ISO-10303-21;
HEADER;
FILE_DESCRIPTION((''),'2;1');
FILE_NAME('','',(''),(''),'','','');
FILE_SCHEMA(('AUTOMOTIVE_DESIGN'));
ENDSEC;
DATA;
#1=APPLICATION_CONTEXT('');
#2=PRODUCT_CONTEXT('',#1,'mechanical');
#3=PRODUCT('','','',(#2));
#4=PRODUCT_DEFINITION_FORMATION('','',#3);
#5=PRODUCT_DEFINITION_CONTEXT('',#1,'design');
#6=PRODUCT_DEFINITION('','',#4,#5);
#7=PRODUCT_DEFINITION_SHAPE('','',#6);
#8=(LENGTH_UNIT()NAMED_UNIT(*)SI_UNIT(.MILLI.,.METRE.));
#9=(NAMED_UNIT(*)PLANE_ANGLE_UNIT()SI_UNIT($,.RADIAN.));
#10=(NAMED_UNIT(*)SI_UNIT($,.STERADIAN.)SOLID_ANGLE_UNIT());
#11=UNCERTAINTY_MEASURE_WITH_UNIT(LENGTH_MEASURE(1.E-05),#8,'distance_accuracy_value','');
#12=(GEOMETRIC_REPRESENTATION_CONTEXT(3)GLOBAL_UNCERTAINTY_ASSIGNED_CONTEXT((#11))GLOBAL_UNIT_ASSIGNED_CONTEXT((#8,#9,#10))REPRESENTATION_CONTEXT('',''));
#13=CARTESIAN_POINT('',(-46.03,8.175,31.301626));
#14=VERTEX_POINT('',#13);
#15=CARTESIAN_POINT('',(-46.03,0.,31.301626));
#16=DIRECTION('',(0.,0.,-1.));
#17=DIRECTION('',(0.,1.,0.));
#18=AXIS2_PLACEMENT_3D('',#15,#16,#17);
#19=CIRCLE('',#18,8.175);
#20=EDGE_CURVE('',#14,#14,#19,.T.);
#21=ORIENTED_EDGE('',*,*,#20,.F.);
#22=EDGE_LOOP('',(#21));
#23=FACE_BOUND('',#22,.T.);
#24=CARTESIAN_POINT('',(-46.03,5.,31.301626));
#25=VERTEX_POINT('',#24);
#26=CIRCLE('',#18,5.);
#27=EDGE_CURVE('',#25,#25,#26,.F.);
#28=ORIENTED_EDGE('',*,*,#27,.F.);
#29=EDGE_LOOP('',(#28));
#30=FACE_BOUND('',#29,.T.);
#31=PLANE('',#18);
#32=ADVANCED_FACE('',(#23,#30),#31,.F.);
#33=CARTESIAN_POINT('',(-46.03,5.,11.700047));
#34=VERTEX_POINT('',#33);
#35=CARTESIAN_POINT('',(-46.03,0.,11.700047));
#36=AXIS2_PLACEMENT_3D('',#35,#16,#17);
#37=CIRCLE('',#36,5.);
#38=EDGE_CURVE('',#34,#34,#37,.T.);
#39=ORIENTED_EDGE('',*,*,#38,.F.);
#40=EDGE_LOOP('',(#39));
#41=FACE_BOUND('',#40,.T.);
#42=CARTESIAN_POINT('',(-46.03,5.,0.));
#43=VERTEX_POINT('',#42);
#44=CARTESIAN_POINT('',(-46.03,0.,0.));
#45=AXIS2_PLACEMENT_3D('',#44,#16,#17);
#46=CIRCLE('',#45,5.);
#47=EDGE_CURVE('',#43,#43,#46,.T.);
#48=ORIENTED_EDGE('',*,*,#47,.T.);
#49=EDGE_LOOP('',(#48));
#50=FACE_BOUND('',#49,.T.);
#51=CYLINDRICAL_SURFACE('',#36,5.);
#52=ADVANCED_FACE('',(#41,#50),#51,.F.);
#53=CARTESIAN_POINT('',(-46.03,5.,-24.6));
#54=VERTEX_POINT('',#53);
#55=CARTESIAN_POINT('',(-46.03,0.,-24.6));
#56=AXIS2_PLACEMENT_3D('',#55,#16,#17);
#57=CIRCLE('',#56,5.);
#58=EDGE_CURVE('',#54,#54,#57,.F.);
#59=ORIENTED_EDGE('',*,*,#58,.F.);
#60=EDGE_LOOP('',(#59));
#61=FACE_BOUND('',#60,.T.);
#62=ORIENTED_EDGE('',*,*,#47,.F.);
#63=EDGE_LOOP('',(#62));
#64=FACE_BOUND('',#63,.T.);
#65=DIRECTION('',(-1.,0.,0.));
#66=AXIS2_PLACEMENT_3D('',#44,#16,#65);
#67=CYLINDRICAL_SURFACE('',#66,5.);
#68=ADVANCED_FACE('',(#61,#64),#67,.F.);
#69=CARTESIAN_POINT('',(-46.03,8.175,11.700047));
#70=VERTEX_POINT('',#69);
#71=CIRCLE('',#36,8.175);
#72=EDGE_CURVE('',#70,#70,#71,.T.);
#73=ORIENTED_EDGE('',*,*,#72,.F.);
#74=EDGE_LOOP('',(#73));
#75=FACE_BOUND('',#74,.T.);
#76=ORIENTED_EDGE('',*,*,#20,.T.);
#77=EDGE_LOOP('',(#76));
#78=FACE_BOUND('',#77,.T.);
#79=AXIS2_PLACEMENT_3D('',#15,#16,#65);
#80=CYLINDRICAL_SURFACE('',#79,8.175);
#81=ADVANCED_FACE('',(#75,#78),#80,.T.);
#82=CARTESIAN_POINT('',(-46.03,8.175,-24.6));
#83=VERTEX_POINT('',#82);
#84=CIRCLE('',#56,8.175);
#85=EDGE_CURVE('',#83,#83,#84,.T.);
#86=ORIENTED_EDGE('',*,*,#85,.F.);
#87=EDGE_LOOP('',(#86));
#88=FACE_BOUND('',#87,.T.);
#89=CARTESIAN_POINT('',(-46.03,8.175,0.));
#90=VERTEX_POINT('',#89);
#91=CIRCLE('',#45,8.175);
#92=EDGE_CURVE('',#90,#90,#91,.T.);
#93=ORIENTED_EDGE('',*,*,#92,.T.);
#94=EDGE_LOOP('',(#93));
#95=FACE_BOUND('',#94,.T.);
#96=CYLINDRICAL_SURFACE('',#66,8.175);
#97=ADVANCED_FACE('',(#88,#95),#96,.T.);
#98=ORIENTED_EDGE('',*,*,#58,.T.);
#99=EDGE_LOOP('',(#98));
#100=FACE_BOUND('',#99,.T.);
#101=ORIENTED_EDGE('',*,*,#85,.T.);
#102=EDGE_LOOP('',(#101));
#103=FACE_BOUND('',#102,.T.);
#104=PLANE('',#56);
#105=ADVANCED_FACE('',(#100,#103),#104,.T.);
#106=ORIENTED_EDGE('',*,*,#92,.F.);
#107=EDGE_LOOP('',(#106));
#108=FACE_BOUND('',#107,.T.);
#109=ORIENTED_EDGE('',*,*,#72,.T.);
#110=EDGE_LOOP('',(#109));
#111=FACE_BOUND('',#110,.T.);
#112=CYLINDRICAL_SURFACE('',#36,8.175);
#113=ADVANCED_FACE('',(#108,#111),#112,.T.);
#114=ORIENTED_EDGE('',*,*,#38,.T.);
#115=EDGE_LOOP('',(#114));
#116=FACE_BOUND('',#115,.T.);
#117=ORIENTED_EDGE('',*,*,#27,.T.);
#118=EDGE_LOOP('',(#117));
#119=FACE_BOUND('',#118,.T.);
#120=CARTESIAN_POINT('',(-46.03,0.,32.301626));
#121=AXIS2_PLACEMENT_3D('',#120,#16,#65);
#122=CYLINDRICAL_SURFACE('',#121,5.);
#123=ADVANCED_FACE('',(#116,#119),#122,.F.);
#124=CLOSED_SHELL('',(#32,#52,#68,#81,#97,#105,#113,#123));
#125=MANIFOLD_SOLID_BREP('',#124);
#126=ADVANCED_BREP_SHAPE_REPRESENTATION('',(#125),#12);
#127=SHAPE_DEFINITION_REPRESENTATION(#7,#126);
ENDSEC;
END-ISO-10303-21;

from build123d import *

# Parameters (mm, degrees)
SWEEP1_PROFILE_R     = 8.175
CUT_SWEEP1_PROFILE_R = 5


with BuildPart() as part:
    # Sweep1: sweep along a curve in space
    with BuildLine() as sweep1_path:
        Line((-46.03, 0, -24.6), (-46.03, 0, 0))
        Line((-46.03, 0, 0), (-46.03, 0, 11.700046958))
        Line((-46.03, 0, 31.301626468), (-46.03, 0, 11.700046958))
    # Sweep1 profile (on start of the path) → Sweep1 (sweep)
    with BuildSketch(Plane(origin=(-46.03, 0, -24.6), x_dir=(1, 0, 0), z_dir=(0, 0, 1))):
        Circle(SWEEP1_PROFILE_R)
    sweep(path=sweep1_path.line)

    # Cut-Sweep1: sweep along a curve in space
    with BuildLine() as cut_sweep1_path:
        Line((-46.03, 0, -24.6), (-46.03, 0, 0))
        Line((-46.03, 0, 0), (-46.03, 0, 11.700046958))
        Line((-46.03, 0, 31.301626468), (-46.03, 0, 11.700046958))
    # Cut-Sweep1 profile (on start of the path) → Cut-Sweep1 (sweep, cut)
    with BuildSketch(Plane(origin=(-46.03, 0, -24.6), x_dir=(1, 0, 0), z_dir=(0, 0, 1))):
        Circle(CUT_SWEEP1_PROFILE_R)
    sweep(path=cut_sweep1_path.line, mode=Mode.SUBTRACT)


solid = part.part
